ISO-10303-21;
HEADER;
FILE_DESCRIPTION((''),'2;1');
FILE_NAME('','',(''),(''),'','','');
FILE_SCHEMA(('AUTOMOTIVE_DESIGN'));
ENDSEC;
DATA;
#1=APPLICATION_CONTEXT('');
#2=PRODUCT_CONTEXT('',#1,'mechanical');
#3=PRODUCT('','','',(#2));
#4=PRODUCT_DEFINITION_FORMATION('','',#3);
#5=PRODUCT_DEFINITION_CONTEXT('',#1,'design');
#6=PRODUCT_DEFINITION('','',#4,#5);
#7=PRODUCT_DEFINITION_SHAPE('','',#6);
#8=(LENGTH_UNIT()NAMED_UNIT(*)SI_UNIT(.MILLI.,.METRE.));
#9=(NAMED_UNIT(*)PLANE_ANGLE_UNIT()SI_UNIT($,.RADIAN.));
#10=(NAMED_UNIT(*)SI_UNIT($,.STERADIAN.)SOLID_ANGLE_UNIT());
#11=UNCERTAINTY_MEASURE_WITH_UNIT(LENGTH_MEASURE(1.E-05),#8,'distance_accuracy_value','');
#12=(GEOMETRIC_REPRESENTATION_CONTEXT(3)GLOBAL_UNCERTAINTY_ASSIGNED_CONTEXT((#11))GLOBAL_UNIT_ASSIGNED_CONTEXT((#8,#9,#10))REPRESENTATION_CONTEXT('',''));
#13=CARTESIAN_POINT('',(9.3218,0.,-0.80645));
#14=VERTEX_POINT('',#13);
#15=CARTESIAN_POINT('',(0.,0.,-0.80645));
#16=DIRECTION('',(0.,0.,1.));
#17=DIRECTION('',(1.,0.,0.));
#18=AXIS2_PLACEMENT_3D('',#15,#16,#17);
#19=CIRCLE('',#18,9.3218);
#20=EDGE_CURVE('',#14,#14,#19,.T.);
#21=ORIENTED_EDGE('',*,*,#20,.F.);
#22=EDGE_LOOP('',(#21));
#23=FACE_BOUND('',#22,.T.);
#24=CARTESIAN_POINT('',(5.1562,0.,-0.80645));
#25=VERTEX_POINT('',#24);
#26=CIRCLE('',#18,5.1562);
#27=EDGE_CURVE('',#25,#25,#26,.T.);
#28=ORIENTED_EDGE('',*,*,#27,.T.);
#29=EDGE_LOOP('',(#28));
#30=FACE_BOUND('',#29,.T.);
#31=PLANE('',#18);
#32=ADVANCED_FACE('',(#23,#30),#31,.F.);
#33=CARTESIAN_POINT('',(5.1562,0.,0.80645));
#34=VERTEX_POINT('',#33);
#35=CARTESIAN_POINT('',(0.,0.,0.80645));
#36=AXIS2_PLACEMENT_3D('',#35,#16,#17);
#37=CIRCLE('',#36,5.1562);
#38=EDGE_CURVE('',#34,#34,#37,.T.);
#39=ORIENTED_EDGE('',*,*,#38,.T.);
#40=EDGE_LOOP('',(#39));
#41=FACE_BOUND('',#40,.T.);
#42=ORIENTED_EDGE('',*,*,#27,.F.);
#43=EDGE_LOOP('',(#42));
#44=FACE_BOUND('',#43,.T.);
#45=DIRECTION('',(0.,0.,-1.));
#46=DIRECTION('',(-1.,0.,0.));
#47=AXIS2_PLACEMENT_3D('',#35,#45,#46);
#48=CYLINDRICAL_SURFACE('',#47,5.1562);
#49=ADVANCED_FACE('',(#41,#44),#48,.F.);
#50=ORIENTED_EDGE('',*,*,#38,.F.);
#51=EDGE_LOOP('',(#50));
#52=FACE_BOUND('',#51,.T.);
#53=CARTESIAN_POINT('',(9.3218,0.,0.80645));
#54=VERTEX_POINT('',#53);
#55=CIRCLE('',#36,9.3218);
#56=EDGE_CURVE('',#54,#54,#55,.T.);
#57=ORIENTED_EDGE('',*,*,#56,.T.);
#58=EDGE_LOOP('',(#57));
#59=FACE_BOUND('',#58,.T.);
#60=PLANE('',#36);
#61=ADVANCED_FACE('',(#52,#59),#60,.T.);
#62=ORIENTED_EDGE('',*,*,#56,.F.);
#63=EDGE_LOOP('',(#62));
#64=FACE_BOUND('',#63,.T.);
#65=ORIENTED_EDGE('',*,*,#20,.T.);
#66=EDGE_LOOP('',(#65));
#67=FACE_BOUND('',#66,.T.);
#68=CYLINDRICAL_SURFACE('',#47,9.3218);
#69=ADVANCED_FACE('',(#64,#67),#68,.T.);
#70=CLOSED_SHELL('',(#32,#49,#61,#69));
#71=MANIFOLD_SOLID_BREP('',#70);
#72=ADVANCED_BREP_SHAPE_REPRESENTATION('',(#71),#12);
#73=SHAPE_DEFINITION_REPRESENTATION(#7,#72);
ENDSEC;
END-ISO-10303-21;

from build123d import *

# Parameters (mm, degrees)
BOSS_EXTRUDE1_DEPTH      = 0.80645
BOSS_EXTRUDE1_DEPTH_BACK = 0.80645
SKETCH3_R                = 9.3218
SKETCH3_R_2              = 5.1562


with BuildPart() as part:
    # Sketch3 → Boss-Extrude1 (new, two sides: drawn at the far end of the back side and taken through both)
    with BuildSketch(Plane.XY.offset(-BOSS_EXTRUDE1_DEPTH_BACK)):
        Circle(SKETCH3_R)
        Circle(SKETCH3_R_2, mode=Mode.SUBTRACT)
    extrude(amount=BOSS_EXTRUDE1_DEPTH + BOSS_EXTRUDE1_DEPTH_BACK)


solid = part.part
